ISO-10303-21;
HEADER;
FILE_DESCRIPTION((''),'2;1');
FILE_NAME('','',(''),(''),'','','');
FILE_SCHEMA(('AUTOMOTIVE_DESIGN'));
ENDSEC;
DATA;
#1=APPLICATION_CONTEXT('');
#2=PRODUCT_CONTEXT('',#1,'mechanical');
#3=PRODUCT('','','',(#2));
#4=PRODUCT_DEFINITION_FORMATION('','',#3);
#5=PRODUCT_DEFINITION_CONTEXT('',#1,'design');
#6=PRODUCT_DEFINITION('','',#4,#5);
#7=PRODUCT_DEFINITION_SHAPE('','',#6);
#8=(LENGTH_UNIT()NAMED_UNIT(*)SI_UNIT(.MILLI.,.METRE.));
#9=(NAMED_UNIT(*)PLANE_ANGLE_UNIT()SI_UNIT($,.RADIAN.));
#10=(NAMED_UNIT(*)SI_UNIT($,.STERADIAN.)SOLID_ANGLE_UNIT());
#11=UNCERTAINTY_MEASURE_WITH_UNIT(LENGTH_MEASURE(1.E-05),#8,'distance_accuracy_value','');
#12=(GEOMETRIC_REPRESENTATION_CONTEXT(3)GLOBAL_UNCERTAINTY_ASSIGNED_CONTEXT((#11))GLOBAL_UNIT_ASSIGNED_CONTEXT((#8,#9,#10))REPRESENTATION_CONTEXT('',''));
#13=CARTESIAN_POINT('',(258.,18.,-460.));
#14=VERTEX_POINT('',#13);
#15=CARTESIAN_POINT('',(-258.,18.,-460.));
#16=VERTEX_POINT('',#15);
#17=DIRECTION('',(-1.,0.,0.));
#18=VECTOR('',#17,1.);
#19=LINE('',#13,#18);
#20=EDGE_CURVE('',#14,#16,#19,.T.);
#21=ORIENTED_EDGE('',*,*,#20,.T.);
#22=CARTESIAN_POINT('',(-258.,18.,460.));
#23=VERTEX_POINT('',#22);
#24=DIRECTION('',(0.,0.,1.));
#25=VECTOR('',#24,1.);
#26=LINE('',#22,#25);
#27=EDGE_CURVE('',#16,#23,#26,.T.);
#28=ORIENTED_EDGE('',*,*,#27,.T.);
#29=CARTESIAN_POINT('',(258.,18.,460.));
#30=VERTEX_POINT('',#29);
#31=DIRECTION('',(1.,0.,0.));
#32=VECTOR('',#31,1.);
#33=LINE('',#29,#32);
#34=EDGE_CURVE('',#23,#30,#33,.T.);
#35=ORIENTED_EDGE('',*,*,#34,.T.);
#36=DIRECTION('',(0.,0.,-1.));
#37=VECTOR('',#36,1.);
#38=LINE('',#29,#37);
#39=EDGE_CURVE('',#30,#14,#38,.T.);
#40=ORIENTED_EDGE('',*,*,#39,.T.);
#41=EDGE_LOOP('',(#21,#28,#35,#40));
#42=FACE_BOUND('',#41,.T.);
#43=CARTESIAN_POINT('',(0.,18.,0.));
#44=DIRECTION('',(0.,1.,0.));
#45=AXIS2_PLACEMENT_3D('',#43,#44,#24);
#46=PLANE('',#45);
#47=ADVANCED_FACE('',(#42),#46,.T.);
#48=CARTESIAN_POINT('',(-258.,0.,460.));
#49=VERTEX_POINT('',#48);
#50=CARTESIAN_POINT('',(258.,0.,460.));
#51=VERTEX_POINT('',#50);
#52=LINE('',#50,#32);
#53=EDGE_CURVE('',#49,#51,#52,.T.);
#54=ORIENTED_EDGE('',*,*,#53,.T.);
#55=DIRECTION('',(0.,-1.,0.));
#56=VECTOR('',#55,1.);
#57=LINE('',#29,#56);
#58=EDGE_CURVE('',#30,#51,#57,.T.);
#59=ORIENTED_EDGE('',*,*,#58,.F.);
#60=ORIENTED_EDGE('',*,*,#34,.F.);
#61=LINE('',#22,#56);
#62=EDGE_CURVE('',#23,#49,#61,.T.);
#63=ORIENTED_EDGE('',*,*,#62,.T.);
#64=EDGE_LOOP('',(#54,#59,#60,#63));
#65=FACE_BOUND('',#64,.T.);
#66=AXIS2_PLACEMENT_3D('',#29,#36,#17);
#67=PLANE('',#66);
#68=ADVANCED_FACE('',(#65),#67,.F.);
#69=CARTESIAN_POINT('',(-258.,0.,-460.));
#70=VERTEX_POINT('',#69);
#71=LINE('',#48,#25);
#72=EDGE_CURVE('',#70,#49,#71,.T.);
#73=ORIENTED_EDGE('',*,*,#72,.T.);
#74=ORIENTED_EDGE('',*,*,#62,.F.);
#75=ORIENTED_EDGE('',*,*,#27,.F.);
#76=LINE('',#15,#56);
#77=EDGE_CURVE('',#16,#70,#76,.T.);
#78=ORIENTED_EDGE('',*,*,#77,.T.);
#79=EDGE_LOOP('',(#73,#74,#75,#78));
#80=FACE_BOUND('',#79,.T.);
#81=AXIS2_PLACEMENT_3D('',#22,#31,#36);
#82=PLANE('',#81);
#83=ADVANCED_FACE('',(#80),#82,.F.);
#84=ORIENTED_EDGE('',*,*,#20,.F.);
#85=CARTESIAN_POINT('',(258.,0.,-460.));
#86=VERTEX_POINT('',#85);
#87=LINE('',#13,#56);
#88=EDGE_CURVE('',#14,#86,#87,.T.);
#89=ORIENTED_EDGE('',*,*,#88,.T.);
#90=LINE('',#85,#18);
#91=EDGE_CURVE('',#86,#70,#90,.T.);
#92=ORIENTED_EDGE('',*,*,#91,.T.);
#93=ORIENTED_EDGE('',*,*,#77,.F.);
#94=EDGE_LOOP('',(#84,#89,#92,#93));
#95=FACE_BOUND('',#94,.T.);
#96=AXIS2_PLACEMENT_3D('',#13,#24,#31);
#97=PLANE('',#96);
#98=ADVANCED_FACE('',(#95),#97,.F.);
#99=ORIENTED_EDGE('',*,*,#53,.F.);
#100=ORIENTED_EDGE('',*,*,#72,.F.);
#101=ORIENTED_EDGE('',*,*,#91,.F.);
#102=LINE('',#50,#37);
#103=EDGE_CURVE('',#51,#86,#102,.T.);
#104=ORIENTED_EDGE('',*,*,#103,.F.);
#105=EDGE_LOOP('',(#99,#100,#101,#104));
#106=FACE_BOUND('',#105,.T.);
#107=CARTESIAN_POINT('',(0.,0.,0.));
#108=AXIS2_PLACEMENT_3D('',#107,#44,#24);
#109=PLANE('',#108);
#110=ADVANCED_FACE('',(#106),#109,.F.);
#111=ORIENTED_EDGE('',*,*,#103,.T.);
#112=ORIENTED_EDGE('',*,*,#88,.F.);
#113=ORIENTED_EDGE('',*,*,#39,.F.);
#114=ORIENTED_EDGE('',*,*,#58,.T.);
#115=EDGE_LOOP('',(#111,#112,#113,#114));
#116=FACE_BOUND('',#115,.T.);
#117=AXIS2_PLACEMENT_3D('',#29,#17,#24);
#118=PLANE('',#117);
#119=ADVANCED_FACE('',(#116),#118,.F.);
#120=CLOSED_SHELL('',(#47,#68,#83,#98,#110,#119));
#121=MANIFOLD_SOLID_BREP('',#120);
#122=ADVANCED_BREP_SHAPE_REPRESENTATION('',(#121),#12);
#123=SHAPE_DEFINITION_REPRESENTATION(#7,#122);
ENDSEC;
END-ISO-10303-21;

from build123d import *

# Parameters (mm, degrees)
SKETCH_1_W      = 516
SKETCH_1_H      = 920
EXTRUDE_1_DEPTH = 18


with BuildPart() as part:
    # Эскиз1 → Бобышка-Вытянуть1 (new body)
    with BuildSketch(Plane(origin=(0, 0, 0), x_dir=(1, 0, 0), z_dir=(0, 1, 0))):
        Rectangle(SKETCH_1_W, SKETCH_1_H)
    extrude(amount=EXTRUDE_1_DEPTH)


solid = part.part
